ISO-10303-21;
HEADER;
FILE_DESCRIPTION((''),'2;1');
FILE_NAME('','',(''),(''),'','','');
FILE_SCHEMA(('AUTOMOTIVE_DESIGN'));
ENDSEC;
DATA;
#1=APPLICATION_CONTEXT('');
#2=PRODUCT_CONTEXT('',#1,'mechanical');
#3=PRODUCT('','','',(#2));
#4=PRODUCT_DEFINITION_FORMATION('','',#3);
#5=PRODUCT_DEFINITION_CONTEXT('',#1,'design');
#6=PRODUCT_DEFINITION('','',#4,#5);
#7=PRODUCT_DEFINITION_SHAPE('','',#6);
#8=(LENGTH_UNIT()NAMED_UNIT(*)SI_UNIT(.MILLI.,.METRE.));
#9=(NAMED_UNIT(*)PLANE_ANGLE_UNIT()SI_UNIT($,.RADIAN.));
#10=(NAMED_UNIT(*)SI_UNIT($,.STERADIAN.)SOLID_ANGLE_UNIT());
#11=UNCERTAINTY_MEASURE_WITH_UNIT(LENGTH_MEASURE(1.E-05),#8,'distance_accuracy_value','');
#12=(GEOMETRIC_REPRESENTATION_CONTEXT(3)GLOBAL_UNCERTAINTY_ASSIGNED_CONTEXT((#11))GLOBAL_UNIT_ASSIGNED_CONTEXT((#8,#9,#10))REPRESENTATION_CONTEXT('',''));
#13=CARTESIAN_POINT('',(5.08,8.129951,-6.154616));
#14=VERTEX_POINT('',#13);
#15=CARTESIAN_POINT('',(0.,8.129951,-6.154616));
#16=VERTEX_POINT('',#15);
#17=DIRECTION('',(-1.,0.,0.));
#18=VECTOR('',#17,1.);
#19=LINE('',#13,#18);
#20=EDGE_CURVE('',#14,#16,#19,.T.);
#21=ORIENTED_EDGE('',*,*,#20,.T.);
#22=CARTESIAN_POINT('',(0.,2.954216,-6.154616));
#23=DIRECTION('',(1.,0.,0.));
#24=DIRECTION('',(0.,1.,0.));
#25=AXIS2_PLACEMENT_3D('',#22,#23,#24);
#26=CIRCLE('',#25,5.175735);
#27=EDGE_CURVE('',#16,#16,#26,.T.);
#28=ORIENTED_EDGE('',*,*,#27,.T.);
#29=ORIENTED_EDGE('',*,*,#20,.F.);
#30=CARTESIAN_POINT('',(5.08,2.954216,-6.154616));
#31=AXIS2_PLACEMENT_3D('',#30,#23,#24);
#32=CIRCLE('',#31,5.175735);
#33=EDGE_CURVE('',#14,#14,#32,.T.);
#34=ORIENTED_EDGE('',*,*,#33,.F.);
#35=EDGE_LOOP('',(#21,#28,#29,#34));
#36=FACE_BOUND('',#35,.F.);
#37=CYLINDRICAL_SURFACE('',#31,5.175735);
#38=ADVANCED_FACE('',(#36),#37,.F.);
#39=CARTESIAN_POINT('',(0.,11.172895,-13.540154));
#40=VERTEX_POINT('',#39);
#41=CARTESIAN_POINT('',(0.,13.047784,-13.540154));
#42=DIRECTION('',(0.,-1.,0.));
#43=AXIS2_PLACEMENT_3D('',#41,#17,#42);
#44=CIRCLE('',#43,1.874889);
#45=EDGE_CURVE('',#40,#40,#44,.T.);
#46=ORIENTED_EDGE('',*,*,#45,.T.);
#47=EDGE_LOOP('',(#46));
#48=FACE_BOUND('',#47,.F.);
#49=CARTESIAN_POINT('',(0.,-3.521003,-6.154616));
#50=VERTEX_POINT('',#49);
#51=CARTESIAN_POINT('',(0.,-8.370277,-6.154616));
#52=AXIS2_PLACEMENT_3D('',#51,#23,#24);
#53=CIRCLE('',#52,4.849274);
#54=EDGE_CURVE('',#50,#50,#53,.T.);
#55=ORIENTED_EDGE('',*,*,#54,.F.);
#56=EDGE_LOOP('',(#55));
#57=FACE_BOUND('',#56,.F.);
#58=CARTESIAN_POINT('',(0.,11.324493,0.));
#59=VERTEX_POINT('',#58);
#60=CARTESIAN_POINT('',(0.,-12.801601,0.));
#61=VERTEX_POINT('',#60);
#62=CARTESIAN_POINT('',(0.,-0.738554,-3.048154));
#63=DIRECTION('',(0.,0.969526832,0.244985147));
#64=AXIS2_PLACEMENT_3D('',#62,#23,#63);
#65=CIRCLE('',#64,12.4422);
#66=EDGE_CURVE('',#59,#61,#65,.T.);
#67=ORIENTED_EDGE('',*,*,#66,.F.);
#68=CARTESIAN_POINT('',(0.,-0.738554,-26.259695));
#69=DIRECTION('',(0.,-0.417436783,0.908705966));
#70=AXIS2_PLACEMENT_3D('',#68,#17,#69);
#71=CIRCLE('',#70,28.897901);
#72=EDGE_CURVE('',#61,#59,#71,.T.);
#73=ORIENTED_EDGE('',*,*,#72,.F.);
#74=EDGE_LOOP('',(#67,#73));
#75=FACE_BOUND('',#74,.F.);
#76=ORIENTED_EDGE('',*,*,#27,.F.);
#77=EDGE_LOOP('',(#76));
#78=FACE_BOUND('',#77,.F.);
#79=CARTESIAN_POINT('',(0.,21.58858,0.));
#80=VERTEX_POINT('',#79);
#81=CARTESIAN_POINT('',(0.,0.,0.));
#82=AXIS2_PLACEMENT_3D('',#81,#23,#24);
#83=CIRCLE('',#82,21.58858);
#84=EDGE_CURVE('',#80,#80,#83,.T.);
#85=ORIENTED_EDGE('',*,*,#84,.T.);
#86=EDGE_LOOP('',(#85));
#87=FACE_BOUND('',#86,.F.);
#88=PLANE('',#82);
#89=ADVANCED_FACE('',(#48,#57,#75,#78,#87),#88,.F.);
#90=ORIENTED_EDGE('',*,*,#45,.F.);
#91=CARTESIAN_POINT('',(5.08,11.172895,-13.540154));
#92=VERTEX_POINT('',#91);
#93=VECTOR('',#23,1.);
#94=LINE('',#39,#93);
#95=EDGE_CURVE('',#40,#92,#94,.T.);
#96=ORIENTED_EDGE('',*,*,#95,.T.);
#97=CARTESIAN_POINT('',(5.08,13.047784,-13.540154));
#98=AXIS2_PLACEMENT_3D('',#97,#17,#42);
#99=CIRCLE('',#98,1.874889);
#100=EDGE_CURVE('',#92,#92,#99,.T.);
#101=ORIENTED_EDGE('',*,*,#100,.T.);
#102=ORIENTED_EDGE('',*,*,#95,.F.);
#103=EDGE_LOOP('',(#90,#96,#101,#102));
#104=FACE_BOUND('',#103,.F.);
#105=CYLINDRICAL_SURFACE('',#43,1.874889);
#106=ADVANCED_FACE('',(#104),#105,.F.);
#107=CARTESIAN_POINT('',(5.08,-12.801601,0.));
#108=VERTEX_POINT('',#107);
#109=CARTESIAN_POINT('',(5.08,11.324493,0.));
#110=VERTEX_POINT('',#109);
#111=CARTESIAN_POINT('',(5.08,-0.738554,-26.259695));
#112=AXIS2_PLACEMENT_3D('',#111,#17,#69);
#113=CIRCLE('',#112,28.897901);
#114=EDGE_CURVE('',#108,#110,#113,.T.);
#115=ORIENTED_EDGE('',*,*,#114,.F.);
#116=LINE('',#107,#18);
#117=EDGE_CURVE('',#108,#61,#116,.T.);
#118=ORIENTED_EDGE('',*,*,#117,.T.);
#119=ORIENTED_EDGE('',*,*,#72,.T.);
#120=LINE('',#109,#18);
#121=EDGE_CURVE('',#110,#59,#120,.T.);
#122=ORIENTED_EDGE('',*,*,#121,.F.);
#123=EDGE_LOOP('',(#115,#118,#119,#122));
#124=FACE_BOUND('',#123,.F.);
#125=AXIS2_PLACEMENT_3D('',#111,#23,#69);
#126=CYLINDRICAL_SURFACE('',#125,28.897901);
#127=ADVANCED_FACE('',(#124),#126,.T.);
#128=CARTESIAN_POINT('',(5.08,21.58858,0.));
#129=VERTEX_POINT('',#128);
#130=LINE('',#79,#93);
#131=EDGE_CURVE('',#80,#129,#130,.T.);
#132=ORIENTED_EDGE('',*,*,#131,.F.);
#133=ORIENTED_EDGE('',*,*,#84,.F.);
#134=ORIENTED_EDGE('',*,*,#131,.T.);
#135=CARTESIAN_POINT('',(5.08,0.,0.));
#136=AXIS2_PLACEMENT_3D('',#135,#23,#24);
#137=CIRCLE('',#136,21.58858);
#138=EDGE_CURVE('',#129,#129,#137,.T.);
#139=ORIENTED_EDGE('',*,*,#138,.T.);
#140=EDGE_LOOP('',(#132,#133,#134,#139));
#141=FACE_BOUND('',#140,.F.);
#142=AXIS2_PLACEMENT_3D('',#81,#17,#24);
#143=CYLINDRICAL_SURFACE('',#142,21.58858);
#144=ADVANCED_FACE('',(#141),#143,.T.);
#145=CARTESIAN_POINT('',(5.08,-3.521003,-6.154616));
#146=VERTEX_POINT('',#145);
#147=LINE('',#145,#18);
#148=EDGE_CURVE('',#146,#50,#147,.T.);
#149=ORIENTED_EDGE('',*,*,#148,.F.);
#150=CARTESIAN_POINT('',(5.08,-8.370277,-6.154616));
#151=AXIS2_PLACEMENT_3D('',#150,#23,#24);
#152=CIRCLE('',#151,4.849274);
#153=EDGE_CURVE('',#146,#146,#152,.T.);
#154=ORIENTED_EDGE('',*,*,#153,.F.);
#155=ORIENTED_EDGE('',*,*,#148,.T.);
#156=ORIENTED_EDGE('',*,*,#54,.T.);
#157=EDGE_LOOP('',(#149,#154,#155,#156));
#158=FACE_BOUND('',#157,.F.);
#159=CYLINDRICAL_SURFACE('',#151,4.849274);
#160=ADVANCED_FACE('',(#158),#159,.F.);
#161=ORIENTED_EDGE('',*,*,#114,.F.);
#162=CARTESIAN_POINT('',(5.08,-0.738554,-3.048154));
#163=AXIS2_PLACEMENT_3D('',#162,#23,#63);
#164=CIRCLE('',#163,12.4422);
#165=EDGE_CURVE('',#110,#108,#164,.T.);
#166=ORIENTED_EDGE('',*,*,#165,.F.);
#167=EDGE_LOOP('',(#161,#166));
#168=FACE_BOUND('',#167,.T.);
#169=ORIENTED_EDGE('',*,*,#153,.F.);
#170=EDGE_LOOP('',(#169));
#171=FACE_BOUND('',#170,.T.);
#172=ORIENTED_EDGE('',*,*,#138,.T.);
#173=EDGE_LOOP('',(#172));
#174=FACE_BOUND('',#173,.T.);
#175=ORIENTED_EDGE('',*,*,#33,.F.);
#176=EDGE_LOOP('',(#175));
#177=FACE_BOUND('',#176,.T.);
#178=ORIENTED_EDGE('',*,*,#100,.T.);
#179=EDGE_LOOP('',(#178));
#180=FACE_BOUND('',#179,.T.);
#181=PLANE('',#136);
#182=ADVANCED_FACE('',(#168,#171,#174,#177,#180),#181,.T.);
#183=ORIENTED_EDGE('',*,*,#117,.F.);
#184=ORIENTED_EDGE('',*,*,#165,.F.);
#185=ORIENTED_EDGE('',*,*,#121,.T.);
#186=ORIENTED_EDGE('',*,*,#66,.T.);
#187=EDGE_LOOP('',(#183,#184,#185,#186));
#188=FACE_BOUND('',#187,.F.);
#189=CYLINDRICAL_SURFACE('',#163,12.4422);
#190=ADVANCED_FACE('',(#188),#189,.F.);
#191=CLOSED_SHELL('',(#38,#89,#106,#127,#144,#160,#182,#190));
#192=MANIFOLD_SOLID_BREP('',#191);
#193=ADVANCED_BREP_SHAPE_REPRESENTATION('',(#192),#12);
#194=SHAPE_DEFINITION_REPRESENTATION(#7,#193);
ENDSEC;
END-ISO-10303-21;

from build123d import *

# Parameters (mm, degrees)
F0_R     = 21.58858
F1_DEPTH = 5.08
F2_R     = 4.849274
F2_R_2   = 5.175735
F3_DEPTH = 5.08
F4_R     = 1.874889
F5_DEPTH = 5.08


with BuildPart() as f1:
    # F0 (on Right) → F1 (new body)
    with BuildSketch(Plane.YZ):
        Circle(F0_R)
    extrude(amount=F1_DEPTH)

    # F2 (on face) → F3 (cut)
    with BuildSketch(Plane.YZ.offset(5.08)):
        with BuildLine():
            ThreePointArc((-12.801601, 0), (-0.738554, 2.638206), (11.324493, 0))
            ThreePointArc((11.324493, 0), (-0.738554, 9.394046), (-12.801601, 0))
        make_face()
        with Locations((-8.370277, -6.154616)):
            Circle(F2_R)
        with Locations((2.954216, -6.154616)):
            Circle(F2_R_2)
    extrude(amount=-F3_DEPTH, mode=Mode.SUBTRACT)

    # F4 (on face) → F5 (cut)
    with BuildSketch(Plane(origin=(0, 0, 0), x_dir=(0, -1, 0), z_dir=(-1, 0, 0))):
        with Locations((-13.047784, -13.540154)):
            Circle(F4_R)
    extrude(amount=-F5_DEPTH, mode=Mode.SUBTRACT)


solid = f1.part
